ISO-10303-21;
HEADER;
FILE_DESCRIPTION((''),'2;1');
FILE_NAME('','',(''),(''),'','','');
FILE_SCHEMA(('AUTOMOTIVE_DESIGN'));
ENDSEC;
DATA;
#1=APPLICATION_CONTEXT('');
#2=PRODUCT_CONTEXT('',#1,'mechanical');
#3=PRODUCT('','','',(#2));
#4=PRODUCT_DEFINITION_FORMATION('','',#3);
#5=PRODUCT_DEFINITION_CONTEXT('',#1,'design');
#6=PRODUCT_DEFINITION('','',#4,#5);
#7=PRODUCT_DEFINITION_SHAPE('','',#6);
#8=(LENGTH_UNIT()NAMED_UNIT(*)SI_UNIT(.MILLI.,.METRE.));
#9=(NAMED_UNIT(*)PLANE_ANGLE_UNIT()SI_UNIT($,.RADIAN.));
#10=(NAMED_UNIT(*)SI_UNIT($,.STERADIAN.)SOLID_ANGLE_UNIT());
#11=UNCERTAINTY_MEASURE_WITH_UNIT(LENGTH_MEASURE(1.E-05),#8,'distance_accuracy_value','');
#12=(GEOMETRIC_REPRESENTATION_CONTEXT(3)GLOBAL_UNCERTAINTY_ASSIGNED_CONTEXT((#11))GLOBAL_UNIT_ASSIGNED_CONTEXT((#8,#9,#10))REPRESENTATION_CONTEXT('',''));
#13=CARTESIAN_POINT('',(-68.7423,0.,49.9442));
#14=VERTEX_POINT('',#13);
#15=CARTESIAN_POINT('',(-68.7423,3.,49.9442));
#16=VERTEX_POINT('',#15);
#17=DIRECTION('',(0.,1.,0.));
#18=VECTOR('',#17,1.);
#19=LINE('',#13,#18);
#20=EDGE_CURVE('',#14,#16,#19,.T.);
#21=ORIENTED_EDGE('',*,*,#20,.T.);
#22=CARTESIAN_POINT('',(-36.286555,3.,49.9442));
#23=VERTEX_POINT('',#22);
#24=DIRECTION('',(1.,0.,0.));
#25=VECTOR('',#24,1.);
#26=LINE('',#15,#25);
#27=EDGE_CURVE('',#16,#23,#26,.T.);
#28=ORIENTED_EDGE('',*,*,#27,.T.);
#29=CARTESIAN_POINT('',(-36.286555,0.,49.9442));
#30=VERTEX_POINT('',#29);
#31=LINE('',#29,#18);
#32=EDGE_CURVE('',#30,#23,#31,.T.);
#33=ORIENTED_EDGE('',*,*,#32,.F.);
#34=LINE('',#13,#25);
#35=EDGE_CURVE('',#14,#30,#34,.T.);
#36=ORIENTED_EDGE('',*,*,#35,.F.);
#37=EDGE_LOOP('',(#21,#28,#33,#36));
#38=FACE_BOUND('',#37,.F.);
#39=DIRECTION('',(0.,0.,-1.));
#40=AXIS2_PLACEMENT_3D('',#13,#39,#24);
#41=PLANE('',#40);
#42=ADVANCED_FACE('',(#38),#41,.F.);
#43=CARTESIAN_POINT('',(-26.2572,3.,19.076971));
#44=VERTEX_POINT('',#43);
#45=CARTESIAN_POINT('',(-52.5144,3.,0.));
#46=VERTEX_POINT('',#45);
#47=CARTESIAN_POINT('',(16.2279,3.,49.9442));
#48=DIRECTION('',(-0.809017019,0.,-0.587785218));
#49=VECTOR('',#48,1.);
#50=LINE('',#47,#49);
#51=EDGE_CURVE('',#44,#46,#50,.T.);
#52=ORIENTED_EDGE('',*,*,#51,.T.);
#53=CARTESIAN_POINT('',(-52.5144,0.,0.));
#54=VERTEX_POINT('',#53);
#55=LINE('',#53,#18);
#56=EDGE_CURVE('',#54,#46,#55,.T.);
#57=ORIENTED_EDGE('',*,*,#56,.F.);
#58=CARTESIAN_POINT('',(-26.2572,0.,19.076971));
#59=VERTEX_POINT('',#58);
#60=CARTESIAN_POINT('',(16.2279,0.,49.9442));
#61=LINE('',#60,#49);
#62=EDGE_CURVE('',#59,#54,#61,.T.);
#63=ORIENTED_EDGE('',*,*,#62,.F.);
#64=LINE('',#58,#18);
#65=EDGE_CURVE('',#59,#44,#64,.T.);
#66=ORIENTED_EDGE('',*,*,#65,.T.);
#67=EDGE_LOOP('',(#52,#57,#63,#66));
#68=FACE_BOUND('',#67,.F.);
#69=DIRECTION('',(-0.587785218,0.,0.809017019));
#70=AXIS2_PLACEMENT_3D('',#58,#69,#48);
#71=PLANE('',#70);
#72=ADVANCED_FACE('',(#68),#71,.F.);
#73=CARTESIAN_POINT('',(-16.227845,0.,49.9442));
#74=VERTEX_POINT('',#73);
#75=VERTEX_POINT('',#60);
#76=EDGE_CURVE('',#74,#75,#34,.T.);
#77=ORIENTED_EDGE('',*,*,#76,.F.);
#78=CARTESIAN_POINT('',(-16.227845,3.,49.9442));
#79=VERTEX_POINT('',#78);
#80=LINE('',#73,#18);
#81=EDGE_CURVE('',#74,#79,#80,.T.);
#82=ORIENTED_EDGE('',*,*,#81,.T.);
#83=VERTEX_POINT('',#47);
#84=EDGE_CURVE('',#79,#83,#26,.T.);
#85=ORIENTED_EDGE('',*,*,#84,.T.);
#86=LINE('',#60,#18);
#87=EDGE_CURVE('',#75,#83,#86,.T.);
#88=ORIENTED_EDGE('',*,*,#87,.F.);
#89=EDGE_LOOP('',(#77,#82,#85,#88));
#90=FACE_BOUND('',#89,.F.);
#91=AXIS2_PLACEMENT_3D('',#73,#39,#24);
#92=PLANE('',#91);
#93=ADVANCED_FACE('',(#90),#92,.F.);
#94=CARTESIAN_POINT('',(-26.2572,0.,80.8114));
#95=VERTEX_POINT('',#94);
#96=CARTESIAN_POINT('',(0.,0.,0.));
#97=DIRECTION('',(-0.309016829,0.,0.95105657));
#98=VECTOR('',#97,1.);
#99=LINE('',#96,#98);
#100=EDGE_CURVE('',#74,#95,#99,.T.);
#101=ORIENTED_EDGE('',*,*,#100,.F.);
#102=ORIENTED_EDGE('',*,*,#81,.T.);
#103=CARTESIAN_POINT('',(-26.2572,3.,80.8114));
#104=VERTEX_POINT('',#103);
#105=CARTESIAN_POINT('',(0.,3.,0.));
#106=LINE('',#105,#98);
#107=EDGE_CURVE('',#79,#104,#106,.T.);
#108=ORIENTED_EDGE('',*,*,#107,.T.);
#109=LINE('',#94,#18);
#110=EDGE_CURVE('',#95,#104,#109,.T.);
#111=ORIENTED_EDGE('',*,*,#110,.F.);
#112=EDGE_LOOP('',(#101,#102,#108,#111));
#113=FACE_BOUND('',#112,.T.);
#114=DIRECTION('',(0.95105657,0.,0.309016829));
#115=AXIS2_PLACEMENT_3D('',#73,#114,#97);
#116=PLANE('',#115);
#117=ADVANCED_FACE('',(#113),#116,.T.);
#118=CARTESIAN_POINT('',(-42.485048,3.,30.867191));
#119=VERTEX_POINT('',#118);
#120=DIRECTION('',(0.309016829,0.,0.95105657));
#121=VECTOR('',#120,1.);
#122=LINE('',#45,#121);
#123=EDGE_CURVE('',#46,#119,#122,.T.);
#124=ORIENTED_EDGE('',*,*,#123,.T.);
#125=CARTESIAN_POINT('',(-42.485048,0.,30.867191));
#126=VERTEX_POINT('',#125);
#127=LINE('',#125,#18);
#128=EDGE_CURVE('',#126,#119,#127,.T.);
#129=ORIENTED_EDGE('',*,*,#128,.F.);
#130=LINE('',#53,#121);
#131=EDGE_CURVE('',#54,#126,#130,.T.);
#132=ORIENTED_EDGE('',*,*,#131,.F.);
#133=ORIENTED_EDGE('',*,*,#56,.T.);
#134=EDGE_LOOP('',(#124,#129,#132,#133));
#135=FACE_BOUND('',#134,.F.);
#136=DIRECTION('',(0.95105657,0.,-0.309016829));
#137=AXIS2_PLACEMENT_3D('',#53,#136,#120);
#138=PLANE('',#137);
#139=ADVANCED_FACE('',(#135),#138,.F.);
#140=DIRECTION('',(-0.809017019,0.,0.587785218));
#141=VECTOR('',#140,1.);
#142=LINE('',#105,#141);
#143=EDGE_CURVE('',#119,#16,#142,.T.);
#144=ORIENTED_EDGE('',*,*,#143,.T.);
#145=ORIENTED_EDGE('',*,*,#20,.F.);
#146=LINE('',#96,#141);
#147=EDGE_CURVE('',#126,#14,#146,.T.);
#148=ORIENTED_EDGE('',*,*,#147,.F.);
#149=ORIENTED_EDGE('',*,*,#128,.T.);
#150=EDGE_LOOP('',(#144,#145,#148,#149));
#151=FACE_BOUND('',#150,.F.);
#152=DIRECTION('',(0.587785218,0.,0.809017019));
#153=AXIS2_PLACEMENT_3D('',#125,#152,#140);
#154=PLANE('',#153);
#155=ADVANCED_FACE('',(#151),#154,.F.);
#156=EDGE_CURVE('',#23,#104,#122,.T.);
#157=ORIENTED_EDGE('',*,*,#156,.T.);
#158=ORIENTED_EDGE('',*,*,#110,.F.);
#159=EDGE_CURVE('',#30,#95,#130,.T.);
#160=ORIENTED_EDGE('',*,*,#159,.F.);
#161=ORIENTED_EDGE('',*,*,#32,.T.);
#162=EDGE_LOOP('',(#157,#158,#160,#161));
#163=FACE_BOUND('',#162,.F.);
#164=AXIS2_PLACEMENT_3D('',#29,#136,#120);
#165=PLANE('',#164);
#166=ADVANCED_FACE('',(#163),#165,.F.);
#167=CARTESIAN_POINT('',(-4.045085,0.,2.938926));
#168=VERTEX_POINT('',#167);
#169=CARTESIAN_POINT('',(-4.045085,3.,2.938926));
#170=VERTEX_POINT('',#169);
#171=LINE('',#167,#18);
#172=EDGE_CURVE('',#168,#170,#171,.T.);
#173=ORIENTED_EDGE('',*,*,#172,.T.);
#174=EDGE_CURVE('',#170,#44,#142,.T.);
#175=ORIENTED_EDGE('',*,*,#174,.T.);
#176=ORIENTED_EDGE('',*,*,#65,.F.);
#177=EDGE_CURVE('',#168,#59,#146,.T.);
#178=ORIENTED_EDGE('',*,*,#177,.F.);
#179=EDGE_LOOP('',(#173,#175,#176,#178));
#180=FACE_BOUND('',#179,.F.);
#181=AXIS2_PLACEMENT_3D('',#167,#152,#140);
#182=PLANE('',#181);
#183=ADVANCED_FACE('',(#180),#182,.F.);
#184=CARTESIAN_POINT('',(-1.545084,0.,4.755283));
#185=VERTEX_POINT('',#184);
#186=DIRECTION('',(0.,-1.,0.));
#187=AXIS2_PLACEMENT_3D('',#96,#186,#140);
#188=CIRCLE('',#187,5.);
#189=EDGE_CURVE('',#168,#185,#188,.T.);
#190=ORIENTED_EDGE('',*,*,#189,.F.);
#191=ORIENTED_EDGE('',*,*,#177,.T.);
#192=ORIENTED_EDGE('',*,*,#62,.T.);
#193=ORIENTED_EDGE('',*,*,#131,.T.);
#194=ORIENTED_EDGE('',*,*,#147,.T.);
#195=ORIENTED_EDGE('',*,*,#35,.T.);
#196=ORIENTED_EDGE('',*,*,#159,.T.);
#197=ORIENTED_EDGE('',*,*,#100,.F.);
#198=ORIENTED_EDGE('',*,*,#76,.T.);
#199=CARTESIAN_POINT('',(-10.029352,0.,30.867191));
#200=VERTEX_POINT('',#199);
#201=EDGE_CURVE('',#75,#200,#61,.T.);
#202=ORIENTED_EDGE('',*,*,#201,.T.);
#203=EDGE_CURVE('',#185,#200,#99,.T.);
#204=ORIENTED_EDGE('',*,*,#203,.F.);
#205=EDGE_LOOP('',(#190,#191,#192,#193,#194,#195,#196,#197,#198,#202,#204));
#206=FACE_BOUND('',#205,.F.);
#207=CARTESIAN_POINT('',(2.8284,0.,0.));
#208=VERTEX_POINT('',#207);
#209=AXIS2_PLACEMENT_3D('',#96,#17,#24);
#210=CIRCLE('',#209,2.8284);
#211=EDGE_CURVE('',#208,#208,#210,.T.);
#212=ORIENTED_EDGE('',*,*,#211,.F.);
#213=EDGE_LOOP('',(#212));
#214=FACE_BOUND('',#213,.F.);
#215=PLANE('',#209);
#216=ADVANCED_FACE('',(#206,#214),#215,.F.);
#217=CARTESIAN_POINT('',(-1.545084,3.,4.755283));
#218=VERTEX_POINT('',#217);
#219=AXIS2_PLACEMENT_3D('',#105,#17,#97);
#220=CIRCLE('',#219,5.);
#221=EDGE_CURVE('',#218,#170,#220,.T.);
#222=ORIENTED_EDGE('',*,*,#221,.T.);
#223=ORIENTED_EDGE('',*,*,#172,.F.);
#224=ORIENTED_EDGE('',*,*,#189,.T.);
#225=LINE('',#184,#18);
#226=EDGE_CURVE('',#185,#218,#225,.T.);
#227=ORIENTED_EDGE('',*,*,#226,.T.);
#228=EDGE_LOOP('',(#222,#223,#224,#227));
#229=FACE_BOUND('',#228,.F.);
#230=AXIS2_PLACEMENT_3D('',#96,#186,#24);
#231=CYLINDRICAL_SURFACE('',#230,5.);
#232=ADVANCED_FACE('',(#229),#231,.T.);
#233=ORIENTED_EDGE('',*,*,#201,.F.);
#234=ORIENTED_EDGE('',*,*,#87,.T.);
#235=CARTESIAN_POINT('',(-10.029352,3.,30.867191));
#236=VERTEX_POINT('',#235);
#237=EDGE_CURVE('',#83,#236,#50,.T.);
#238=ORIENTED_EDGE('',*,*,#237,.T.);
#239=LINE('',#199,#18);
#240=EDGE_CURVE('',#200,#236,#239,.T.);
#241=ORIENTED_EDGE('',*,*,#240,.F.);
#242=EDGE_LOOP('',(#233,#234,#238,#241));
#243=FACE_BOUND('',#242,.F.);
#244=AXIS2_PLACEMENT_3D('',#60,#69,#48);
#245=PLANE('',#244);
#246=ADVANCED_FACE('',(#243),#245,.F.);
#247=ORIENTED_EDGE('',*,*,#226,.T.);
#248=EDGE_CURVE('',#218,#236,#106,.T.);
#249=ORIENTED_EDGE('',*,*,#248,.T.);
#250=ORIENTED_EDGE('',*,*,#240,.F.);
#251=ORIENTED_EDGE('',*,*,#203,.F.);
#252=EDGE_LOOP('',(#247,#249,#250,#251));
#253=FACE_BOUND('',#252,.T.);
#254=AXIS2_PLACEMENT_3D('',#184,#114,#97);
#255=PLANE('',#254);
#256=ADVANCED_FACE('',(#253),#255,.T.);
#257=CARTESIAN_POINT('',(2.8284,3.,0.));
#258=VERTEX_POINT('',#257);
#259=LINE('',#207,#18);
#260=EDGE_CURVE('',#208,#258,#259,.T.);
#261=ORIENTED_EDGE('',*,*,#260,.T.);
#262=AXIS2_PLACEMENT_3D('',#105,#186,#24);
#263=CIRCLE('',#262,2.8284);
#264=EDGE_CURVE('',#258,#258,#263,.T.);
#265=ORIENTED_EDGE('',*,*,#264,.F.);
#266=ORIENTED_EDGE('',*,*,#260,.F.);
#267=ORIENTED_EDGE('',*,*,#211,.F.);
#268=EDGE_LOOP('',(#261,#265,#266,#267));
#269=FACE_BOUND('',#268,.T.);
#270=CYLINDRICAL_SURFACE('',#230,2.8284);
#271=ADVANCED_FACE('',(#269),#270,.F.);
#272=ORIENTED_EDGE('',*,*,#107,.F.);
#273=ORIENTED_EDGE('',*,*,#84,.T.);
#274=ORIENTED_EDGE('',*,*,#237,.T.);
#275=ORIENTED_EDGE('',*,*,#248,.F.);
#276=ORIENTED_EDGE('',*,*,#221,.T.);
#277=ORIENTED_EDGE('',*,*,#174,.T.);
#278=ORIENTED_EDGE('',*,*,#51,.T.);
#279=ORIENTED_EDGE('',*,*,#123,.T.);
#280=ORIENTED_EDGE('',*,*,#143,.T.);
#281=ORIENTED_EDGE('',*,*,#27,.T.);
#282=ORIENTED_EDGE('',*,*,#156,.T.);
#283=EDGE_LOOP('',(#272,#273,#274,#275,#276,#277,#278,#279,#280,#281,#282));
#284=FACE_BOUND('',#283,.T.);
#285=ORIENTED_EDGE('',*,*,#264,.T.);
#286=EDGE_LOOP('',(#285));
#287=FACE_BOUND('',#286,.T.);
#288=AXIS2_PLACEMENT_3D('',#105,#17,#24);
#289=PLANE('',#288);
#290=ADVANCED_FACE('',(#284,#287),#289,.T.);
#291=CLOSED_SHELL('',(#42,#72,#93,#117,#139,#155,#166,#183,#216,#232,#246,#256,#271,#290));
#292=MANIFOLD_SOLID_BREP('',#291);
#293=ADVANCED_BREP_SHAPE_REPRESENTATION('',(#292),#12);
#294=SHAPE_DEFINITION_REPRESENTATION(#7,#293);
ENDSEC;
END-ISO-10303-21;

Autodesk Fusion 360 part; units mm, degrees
sketch "草图1" plane through (0, 0, 0) normal (0, 1, 0) x (1, 0, 0)
  line L0 (-52.5144, 0) -> (-26.2572, -80.8114)
  line L1 (0, 0) -> (-26.2572, -80.8114)
  line L2 (0, 0) -> (-68.7423, -49.9442)
  line L3 (-68.7423, -49.9442) -> (16.2279, -49.9442)
  line L4 (16.2279, -49.9442) -> (-52.5144, 0)
  circle A0 centre (0, 0) radius 5
  circle A1 centre (0, 0) radius 2.8284
  point P0 (-26.2572, -36.14)
extrude "拉伸1" add sketch "草图1" along normal blind 3 contours L0 L2 L4 | L0 L1 L2 L3 L4 | L0 L2 L3 | L1 L2 L4 A0 | L0 L1 L3 | L1 L2 A0 A1 | L1 L2 A0 A1 | L1 L3 L4
